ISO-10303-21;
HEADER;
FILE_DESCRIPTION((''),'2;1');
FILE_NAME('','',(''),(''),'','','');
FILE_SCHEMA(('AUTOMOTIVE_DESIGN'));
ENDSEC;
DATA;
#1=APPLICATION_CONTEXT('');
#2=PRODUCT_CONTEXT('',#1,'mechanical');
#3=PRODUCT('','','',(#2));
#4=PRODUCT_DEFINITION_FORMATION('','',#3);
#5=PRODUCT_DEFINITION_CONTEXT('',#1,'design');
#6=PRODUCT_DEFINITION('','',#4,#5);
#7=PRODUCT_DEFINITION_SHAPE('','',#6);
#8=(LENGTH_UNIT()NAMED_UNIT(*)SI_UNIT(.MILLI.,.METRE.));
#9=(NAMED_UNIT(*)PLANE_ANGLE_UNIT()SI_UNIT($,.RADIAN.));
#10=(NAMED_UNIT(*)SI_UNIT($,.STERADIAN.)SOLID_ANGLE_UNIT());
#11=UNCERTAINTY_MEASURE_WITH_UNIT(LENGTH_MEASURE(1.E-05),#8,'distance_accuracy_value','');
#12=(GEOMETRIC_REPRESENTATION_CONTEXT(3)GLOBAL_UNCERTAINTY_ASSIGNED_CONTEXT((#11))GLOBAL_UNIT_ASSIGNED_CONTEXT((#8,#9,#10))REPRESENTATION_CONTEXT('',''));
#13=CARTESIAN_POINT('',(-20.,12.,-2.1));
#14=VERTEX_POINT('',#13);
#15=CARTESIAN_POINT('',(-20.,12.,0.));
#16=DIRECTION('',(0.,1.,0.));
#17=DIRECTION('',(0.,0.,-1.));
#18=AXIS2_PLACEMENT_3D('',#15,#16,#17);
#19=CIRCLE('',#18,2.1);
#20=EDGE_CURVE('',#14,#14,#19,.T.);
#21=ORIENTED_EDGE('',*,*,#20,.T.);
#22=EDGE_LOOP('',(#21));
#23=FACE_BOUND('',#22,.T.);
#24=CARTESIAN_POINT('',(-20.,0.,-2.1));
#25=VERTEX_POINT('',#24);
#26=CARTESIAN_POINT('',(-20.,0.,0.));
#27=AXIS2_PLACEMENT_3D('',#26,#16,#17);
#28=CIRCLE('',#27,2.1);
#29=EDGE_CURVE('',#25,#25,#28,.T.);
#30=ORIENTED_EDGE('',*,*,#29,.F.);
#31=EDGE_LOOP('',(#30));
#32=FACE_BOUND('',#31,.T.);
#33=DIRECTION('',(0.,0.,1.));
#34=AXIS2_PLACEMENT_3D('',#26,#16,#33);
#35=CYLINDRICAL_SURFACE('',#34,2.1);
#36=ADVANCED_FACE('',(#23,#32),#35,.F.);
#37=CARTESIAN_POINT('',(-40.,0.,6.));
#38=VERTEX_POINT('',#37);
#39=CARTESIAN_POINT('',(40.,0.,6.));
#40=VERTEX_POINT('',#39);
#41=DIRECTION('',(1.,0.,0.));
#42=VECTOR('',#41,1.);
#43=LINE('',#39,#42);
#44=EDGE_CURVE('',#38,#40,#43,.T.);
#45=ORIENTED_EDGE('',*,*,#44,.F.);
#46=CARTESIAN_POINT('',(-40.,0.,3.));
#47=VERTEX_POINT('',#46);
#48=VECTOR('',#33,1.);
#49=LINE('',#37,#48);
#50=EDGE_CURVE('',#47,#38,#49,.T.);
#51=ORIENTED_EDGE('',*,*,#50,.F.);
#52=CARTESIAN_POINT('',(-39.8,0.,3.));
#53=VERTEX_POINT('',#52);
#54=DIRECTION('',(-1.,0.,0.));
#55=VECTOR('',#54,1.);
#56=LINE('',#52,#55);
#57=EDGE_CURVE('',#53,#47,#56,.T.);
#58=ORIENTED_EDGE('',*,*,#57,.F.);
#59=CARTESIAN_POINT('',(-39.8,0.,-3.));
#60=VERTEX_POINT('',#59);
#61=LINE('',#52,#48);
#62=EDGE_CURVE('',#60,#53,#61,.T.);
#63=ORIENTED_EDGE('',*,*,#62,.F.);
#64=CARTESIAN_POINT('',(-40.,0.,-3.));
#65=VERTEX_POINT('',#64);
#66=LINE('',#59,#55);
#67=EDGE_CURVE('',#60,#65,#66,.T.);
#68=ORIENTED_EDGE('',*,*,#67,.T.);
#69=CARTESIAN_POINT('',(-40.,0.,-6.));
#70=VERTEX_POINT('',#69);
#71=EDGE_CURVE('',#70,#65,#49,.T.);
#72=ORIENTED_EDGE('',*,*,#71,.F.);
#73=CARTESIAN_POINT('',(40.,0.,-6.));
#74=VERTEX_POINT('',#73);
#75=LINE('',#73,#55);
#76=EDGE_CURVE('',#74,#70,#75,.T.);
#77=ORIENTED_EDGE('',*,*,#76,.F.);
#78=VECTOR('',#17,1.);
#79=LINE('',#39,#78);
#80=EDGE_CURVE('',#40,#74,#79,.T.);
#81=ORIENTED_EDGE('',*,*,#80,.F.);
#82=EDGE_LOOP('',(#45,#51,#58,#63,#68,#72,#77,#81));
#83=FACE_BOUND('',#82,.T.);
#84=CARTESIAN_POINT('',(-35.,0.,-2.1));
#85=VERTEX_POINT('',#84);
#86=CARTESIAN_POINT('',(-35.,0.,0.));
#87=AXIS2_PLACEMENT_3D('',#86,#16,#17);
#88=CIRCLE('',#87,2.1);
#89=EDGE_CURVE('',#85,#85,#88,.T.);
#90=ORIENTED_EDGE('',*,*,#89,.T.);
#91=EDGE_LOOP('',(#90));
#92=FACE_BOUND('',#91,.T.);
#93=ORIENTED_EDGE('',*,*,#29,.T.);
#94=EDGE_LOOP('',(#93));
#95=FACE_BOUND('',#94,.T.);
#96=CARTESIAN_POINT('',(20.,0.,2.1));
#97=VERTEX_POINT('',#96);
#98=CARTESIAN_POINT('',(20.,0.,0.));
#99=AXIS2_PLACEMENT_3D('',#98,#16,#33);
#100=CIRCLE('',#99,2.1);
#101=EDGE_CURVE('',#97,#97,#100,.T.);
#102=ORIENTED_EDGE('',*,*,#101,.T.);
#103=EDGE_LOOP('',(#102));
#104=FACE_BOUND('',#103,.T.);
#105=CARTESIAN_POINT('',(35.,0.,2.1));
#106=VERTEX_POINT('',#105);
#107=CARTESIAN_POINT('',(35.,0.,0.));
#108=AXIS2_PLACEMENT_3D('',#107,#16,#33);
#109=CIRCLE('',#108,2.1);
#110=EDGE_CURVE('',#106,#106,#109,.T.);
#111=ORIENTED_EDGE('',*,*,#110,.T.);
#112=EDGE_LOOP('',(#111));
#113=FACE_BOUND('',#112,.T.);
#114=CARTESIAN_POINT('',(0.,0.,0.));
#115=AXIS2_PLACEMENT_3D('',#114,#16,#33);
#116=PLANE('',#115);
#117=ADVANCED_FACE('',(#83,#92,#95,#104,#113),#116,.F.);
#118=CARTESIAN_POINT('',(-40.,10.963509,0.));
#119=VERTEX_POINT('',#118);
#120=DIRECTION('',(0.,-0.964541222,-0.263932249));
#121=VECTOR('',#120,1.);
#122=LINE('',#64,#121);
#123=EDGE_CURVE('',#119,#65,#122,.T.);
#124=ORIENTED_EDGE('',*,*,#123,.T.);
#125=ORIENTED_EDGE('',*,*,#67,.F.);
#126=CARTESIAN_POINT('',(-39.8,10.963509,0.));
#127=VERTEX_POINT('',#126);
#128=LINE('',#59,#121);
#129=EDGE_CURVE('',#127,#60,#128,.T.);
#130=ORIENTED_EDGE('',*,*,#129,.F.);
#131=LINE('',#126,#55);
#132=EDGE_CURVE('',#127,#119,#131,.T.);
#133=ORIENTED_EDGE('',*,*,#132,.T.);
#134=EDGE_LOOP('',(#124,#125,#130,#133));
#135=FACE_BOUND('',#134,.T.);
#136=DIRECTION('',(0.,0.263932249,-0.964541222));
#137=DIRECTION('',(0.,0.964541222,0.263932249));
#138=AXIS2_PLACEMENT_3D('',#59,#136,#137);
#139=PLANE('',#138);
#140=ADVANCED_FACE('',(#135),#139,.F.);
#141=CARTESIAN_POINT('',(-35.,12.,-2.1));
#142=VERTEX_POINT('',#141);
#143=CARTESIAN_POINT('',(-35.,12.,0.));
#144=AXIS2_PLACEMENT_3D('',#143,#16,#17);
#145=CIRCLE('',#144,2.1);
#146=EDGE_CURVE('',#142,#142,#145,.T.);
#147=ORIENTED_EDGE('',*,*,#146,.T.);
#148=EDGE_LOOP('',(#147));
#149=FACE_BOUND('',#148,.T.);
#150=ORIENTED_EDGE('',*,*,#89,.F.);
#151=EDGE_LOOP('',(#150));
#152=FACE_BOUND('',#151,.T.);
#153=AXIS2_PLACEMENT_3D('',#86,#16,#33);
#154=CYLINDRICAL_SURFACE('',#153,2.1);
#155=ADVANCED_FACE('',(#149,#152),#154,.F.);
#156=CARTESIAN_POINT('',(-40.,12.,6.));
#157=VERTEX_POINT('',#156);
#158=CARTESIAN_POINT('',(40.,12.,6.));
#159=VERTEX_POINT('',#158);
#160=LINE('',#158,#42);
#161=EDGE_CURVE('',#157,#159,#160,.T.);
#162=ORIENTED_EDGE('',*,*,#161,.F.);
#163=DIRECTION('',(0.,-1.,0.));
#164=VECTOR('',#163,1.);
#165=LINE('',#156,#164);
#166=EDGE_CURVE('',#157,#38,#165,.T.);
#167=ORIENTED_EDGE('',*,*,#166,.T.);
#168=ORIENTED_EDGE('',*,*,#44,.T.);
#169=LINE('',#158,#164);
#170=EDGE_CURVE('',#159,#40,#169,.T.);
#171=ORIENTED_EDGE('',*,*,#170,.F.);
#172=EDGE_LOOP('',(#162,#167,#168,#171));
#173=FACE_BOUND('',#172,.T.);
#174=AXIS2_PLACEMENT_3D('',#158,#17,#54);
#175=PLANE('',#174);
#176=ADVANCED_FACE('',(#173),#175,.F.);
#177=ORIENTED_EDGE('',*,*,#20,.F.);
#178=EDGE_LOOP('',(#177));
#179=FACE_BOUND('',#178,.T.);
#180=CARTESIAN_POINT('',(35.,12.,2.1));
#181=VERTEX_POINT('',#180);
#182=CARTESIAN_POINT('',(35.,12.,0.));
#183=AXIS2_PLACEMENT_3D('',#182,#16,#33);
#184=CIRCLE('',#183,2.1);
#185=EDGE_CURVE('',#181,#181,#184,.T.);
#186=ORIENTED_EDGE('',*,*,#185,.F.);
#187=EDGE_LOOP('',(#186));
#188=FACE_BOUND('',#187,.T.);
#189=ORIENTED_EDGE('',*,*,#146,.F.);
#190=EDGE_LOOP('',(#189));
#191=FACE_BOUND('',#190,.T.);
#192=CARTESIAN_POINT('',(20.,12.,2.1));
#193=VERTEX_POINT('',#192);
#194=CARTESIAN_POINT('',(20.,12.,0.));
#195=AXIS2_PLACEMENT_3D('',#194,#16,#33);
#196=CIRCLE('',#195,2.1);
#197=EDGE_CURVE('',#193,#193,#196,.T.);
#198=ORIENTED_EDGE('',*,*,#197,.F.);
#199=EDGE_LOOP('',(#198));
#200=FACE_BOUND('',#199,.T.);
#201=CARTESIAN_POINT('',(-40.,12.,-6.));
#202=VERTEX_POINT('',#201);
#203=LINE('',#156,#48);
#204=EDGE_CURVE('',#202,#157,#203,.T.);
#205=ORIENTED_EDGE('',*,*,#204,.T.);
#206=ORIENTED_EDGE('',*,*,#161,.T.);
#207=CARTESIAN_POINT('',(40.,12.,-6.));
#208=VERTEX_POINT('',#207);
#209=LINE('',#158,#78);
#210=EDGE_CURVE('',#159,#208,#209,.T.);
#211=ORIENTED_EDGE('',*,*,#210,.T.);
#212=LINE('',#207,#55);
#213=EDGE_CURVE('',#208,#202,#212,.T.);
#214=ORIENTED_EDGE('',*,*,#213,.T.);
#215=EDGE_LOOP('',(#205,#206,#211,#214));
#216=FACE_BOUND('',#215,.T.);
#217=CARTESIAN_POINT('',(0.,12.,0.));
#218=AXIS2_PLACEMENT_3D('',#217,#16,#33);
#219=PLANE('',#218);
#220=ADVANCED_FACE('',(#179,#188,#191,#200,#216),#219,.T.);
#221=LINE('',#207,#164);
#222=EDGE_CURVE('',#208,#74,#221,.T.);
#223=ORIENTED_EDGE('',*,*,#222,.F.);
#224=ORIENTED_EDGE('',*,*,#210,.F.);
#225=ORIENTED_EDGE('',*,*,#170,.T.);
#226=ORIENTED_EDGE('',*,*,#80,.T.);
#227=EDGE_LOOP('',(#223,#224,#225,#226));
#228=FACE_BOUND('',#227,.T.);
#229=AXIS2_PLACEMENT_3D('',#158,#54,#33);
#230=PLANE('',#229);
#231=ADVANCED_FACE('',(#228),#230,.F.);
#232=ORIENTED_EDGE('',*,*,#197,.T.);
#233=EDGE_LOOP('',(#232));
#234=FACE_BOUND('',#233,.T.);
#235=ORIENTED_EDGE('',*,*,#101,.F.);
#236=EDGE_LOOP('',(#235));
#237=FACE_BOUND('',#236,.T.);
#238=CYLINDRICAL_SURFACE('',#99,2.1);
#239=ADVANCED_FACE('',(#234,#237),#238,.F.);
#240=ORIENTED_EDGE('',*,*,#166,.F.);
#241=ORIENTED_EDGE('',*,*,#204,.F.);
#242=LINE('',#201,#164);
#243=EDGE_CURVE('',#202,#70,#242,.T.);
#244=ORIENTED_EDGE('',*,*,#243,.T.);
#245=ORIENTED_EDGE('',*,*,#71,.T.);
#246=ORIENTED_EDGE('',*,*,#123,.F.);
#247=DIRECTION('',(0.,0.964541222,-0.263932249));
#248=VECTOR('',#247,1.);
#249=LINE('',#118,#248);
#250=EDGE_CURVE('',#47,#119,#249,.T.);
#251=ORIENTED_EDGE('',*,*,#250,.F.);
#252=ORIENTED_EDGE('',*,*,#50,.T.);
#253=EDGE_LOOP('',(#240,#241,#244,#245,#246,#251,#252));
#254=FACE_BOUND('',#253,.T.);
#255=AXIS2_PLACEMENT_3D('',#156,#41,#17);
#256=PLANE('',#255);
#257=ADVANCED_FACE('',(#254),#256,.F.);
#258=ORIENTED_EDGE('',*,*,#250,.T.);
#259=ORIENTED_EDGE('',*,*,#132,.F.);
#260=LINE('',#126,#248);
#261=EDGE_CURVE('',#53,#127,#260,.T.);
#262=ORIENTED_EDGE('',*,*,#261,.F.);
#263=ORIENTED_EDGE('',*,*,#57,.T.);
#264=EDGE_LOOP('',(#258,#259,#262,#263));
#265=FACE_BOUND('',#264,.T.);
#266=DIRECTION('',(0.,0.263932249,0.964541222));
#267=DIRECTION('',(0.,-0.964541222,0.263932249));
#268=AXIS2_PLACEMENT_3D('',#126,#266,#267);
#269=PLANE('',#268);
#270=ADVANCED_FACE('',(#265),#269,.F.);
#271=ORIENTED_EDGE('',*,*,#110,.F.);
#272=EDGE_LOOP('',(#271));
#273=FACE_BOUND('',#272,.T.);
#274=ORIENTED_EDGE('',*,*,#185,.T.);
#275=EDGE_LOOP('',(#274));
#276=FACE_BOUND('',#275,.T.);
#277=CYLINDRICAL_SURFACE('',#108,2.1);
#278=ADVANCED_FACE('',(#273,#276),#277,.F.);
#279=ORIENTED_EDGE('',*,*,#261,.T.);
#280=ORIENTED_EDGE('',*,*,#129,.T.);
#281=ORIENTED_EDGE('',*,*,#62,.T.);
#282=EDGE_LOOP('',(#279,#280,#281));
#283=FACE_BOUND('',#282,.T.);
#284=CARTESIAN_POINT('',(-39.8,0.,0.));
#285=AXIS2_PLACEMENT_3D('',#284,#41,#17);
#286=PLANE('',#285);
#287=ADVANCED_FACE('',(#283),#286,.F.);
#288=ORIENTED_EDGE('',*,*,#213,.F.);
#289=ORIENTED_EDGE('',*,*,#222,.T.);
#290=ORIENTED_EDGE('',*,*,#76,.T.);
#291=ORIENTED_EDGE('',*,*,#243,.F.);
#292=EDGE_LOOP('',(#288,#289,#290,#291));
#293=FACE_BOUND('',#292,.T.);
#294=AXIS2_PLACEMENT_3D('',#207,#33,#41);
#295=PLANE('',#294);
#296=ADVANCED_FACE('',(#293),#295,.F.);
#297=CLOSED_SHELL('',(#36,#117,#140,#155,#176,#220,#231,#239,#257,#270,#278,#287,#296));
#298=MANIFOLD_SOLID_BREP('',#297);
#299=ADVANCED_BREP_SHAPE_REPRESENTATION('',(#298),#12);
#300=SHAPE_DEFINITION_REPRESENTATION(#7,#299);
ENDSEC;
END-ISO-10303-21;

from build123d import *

# Parameters (mm, degrees)
SKETCH1_W           = 80
SKETCH1_H           = 12
BOSS_EXTRUDE1_DEPTH = 12
SKETCH2_R           = 2.1
CUT_EXTRUDE1_DEPTH  = 43.190046219
CUT_EXTRUDE8_DEPTH  = 0.2


with BuildPart() as part:
    # Sketch1 → Boss-Extrude1 (new body)
    with BuildSketch(Plane(origin=(0, 0, 0), x_dir=(1, 0, 0), z_dir=(0, 1, 0))):
        Rectangle(SKETCH1_W, SKETCH1_H)
    extrude(amount=BOSS_EXTRUDE1_DEPTH)

    # Sketch2 → Cut-Extrude1 (cut, through all)
    with BuildSketch(Plane(origin=(0, 12, 0), x_dir=(1, 0, 0), z_dir=(0, 1, 0))):
        with Locations(Location((35, 0, 0), (0, 0, 270))):
            Circle(SKETCH2_R)
        with Locations(Location((20, 0, 0), (0, 0, 270))):
            Circle(SKETCH2_R)
        with Locations(Location((-20, 0, 0), (0, 0, 90))):
            Circle(SKETCH2_R)
        with Locations(Location((-35, 0, 0), (0, 0, 90))):
            Circle(SKETCH2_R)
    extrude(amount=-CUT_EXTRUDE1_DEPTH, mode=Mode.SUBTRACT)

    # Sketch3 → Cut-Extrude8 (cut)
    with BuildSketch(Plane.ZY.offset(40)):
        Polygon((-3, 0), (0, 10.963509299), (3, 0), align=None)
    extrude(amount=-CUT_EXTRUDE8_DEPTH, mode=Mode.SUBTRACT)


solid = part.part
